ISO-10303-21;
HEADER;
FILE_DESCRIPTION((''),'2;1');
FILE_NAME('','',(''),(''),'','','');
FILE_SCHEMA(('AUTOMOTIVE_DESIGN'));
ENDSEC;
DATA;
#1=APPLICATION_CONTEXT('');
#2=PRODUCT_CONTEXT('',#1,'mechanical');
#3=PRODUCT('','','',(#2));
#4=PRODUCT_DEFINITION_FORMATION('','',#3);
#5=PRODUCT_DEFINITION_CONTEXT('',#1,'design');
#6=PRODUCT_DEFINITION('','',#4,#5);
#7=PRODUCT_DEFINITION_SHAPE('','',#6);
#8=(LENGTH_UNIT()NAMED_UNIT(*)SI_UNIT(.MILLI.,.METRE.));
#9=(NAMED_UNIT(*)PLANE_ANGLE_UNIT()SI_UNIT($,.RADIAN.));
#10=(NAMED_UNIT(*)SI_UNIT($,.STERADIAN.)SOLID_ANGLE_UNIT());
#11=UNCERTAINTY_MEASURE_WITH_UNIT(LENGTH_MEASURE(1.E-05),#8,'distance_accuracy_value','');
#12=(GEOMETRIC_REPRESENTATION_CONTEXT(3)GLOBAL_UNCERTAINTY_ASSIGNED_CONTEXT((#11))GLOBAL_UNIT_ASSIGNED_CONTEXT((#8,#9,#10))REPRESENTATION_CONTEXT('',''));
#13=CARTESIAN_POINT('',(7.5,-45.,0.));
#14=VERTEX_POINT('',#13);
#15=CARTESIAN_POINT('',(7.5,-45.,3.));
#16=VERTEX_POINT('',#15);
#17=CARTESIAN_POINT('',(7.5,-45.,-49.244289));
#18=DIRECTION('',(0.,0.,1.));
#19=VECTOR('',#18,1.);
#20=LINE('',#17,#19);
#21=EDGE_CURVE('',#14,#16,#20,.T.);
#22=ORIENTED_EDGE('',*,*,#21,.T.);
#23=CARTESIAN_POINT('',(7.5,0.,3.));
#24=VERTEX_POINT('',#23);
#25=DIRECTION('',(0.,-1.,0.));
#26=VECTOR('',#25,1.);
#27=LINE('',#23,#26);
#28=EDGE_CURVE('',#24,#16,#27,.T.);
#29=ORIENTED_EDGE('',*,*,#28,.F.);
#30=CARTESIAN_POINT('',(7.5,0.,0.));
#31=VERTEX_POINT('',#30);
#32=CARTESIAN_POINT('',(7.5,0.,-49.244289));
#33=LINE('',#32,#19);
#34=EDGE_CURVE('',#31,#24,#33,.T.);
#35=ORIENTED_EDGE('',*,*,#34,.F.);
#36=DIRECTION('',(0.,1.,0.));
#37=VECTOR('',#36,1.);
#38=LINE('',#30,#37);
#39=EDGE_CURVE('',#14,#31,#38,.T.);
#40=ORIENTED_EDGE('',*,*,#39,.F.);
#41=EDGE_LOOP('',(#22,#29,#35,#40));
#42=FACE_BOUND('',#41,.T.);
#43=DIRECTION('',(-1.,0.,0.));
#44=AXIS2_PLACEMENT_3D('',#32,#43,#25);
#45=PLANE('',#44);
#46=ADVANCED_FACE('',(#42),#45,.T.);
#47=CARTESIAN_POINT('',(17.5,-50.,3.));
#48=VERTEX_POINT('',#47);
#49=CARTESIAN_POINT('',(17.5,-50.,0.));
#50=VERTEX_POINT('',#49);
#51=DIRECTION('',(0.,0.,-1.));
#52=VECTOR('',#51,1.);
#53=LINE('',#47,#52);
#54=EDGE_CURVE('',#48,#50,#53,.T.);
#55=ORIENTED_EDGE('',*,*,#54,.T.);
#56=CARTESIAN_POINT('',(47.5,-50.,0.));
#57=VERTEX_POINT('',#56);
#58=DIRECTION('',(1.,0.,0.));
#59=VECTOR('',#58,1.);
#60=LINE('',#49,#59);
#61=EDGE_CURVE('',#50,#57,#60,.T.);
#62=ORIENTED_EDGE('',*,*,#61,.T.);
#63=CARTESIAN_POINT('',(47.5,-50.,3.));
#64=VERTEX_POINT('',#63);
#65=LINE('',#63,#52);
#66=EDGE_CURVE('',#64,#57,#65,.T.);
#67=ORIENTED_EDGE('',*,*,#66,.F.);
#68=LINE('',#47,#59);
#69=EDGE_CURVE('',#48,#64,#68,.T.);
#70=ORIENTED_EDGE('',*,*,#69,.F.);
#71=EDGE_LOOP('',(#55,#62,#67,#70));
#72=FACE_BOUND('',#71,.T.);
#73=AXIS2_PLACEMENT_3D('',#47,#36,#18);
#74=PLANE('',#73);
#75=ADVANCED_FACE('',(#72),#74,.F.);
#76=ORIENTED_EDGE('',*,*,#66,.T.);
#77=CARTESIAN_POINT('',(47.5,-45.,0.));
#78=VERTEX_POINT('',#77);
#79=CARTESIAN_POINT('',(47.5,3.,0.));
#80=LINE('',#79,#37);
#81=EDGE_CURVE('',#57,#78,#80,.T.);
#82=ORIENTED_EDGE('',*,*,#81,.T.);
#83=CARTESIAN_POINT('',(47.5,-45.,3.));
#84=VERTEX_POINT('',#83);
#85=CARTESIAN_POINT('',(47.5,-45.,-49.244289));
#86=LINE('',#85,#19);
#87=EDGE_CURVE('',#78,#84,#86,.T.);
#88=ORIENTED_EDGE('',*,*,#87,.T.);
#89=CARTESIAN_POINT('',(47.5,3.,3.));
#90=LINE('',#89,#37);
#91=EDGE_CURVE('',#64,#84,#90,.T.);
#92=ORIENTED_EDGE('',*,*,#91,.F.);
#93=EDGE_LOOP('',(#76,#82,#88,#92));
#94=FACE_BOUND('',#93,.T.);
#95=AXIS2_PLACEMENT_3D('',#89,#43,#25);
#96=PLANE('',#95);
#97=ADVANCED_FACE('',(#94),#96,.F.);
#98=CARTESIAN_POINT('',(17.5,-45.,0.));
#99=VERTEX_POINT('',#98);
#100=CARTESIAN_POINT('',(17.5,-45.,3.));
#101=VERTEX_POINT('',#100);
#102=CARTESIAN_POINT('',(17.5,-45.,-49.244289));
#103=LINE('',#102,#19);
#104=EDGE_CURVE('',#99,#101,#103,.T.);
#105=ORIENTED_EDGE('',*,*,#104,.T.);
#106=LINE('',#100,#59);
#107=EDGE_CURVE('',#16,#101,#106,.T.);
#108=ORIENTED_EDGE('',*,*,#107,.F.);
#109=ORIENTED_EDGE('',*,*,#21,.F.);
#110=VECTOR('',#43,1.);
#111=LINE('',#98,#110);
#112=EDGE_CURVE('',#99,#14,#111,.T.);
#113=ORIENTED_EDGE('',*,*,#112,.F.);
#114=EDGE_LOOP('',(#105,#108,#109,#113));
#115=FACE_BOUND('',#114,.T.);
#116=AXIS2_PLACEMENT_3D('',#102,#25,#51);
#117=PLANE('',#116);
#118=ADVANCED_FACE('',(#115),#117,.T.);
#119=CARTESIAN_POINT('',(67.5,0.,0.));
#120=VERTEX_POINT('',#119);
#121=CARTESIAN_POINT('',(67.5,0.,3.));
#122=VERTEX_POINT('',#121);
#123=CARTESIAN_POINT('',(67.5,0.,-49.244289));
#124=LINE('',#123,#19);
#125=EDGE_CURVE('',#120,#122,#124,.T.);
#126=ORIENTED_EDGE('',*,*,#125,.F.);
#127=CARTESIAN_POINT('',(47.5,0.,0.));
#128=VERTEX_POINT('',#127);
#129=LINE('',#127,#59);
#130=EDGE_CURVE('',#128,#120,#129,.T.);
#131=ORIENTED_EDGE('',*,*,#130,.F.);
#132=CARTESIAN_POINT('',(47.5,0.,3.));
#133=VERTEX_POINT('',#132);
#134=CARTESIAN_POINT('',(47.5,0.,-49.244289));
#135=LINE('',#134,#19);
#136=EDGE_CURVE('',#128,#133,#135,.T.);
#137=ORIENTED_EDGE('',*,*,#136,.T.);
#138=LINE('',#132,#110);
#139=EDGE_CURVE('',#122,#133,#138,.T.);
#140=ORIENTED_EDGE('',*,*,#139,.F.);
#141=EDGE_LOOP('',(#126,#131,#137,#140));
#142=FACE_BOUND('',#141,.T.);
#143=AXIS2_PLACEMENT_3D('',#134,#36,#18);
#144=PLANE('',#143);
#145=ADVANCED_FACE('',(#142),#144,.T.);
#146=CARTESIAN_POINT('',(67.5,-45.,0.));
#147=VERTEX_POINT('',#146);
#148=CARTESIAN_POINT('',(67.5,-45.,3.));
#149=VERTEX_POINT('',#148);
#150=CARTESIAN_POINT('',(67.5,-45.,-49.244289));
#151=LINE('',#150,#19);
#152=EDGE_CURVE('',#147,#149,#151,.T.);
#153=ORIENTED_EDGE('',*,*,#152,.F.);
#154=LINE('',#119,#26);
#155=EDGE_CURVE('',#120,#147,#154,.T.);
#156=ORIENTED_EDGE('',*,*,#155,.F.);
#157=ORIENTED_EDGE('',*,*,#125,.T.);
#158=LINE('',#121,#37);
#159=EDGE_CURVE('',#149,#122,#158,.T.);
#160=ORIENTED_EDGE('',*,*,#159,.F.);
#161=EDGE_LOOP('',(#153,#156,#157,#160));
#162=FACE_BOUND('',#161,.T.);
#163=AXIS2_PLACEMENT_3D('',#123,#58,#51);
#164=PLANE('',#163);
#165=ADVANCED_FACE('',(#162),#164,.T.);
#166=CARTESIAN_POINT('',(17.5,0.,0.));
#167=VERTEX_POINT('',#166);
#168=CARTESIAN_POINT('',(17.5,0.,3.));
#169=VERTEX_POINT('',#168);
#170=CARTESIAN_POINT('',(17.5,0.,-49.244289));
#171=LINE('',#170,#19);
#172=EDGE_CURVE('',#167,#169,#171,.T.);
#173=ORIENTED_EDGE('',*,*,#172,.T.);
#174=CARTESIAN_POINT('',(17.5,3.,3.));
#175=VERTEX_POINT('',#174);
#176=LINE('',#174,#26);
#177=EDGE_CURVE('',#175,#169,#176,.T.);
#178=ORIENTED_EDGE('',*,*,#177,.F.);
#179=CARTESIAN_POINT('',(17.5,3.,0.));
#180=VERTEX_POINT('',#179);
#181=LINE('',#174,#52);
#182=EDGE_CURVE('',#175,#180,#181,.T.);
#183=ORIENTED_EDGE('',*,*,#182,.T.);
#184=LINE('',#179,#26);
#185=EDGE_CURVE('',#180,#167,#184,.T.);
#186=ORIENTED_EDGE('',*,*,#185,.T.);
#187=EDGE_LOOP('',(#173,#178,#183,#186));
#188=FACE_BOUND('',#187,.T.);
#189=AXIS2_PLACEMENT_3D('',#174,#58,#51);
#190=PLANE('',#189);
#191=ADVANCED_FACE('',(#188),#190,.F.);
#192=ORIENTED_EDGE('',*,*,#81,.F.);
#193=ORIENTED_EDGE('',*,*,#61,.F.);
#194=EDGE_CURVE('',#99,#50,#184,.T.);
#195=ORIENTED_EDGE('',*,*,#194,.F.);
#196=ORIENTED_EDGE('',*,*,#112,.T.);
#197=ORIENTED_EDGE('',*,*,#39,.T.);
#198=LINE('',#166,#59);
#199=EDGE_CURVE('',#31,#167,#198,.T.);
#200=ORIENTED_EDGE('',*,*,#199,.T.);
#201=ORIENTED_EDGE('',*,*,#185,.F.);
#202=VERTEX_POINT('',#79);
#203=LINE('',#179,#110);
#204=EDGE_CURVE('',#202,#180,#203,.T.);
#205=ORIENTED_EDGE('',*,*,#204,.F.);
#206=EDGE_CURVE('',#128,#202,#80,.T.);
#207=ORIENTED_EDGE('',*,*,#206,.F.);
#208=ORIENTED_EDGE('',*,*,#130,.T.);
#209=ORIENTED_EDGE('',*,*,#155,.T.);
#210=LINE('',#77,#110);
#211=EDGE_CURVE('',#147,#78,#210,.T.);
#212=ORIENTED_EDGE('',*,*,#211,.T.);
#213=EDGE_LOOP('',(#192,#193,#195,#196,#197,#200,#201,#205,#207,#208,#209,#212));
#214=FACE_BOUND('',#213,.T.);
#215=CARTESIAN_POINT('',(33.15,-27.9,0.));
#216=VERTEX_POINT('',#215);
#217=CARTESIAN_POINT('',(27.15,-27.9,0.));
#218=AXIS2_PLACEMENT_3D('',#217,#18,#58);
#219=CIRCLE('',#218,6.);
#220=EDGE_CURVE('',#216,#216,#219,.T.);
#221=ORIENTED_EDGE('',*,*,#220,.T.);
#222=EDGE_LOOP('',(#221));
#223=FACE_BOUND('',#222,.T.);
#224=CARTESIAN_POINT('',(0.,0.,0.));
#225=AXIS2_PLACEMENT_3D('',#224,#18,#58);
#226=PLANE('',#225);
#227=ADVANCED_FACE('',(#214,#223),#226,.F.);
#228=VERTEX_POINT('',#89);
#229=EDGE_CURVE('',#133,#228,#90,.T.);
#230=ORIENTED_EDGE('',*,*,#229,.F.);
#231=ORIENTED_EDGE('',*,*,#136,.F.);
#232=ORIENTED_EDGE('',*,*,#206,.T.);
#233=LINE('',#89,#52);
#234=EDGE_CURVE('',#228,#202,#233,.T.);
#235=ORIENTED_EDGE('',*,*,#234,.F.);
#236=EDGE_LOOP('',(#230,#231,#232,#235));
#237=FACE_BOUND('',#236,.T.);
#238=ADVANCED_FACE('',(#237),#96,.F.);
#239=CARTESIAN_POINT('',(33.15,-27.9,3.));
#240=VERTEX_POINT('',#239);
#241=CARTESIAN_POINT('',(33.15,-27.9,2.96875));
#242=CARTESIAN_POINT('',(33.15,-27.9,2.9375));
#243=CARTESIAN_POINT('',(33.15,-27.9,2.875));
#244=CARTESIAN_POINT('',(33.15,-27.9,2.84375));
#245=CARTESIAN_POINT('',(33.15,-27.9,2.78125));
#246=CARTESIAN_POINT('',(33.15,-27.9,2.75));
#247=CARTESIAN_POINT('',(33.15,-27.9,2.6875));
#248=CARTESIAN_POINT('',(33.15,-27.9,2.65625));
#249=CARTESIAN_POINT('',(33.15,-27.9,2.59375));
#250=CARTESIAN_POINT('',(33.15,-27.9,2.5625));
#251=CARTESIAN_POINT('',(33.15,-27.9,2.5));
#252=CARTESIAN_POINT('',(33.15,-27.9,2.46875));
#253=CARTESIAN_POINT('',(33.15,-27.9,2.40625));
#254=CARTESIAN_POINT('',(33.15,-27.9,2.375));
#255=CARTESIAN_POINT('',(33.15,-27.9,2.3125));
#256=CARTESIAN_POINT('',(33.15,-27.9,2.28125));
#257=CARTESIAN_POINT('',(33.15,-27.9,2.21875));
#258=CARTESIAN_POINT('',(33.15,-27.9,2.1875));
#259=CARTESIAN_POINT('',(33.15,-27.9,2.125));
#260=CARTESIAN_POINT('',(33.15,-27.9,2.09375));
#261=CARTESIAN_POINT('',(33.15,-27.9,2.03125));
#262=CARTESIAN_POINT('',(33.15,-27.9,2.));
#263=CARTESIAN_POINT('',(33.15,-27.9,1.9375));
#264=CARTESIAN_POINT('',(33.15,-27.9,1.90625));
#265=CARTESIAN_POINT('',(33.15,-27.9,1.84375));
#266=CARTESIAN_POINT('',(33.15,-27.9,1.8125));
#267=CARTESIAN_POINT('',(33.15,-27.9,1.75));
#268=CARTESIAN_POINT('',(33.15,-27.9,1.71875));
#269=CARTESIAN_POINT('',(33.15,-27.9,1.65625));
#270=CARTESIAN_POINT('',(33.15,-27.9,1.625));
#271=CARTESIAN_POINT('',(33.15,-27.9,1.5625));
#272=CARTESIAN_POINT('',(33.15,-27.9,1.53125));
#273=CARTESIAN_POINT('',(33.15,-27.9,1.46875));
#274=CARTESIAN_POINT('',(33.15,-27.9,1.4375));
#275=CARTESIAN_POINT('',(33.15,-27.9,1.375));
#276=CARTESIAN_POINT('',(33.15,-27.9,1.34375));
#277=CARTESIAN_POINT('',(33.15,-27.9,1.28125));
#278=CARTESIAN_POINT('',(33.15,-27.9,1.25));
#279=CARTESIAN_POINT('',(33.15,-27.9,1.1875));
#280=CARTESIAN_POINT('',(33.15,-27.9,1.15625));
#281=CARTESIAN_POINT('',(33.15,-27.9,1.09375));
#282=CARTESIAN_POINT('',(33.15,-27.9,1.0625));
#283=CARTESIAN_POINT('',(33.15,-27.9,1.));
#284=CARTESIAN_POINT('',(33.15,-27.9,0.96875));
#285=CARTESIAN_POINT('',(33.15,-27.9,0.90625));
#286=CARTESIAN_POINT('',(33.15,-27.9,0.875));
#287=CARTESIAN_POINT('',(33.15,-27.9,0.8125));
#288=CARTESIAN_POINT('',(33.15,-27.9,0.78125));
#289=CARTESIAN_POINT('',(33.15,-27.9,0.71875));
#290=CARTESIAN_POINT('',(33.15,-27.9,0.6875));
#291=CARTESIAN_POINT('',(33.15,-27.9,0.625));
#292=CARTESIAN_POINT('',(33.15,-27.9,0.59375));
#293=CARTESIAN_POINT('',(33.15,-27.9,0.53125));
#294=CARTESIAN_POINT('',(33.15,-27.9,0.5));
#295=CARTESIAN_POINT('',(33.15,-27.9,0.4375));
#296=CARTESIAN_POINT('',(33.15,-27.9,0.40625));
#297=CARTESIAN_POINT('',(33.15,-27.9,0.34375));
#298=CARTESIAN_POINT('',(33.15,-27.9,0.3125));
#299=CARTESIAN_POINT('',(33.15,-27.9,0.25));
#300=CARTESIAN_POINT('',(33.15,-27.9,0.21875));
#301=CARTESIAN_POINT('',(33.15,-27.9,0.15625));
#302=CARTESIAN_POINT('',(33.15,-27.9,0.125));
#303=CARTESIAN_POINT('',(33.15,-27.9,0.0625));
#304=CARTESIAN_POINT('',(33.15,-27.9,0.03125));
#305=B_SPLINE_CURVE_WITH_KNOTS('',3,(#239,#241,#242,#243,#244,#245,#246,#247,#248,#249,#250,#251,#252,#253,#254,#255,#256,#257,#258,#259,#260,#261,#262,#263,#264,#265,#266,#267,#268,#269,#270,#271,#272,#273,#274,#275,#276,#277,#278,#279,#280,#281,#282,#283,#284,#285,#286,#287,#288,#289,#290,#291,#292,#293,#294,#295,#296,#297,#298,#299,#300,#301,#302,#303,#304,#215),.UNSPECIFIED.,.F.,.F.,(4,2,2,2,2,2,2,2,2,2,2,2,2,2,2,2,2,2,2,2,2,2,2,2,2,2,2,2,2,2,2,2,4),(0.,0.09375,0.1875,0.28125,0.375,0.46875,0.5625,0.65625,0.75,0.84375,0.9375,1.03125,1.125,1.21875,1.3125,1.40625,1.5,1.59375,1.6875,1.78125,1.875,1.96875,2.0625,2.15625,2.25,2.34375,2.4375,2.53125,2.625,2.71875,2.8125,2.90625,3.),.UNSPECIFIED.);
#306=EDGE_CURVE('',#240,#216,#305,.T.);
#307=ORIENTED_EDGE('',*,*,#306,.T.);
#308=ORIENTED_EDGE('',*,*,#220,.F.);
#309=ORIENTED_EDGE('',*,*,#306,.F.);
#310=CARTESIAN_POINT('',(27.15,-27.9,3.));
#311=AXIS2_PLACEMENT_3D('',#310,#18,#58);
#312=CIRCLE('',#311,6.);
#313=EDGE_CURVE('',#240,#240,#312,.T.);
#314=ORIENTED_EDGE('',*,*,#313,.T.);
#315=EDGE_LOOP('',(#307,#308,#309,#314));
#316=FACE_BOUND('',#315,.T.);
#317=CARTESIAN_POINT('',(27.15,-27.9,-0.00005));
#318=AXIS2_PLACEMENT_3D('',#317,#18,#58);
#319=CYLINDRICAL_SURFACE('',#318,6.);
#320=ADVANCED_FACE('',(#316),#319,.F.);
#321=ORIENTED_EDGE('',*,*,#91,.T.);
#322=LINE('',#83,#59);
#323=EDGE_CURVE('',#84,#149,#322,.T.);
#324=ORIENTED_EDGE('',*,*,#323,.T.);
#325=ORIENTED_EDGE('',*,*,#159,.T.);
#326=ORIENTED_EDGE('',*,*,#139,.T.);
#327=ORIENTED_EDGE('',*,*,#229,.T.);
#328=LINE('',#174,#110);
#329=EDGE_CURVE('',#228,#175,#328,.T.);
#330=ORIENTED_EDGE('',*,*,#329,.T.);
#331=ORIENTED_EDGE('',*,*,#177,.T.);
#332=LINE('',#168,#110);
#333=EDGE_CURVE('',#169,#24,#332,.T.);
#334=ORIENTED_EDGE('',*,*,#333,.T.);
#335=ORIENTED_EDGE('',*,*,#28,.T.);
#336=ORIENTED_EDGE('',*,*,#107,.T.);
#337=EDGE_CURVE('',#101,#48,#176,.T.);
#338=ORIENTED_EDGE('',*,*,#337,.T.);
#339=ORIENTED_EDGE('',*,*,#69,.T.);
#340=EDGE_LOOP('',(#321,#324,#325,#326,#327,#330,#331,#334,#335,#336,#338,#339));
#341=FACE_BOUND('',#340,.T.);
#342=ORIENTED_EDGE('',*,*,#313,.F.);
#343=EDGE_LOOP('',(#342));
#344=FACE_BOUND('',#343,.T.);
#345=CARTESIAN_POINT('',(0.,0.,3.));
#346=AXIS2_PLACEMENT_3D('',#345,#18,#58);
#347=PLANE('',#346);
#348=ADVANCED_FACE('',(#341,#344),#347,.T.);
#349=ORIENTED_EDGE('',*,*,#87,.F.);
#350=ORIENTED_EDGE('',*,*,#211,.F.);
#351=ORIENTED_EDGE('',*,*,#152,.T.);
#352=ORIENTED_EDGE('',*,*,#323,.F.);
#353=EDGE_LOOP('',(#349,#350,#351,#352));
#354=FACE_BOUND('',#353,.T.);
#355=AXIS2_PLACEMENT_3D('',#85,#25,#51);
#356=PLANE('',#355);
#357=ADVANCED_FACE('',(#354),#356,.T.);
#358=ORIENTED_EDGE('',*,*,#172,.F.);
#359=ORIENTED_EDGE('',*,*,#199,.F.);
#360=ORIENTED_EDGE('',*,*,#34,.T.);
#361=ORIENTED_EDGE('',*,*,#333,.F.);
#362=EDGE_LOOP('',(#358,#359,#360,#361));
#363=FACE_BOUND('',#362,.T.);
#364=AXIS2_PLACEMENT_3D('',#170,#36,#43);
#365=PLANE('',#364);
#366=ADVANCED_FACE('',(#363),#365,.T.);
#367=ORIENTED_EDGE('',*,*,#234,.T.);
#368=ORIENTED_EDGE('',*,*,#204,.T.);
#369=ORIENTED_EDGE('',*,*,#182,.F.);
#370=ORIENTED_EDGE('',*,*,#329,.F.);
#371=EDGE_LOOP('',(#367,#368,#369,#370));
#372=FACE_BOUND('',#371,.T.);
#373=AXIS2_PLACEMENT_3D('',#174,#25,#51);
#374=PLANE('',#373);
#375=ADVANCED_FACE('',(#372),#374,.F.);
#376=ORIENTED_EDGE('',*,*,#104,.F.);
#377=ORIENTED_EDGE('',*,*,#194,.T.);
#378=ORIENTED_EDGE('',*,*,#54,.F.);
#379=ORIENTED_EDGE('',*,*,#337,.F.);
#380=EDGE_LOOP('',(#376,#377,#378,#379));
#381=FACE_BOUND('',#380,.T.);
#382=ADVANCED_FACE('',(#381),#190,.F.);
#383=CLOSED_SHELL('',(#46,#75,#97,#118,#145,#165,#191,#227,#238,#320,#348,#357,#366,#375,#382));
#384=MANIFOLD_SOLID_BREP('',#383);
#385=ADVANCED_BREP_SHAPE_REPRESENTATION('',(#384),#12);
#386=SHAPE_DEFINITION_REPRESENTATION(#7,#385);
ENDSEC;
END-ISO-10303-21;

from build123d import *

# Parameters (mm, degrees)
SCHIZZO1_W                   = 30
SCHIZZO1_H                   = 53
ESTRUSIONE_ESTRUSIONE1_DEPTH = 3
SCHIZZO3_W                   = 10
SCHIZZO3_H                   = 45
SCHIZZO3_W_2                 = 20
ESTRUSIONE_ESTRUSIONE2_DEPTH = 3
SCHIZZO5_R                   = 6
TAGLIO_ESTRUSIONE1_DEPTH     = 85.055041491


with BuildPart() as part:
    # Schizzo1 → Estrusione-Estrusione1 (new body)
    with BuildSketch(Plane.XY):
        with Locations((32.5, -23.5)):
            Rectangle(SCHIZZO1_W, SCHIZZO1_H)
    extrude(amount=ESTRUSIONE_ESTRUSIONE1_DEPTH)

    # Schizzo3 → Estrusione-Estrusione2 (add)
    with BuildSketch(Plane.XY.offset(3)):
        with Locations((12.5, -22.5)):
            Rectangle(SCHIZZO3_W, SCHIZZO3_H)
        with Locations((57.5, -22.5)):
            Rectangle(SCHIZZO3_W_2, SCHIZZO3_H)
    extrude(amount=-ESTRUSIONE_ESTRUSIONE2_DEPTH)

    # Schizzo5 → Taglio-Estrusione1 (cut, through all)
    with BuildSketch(Plane.XY.offset(3)):
        with Locations((27.15, -27.9)):
            Circle(SCHIZZO5_R)
    extrude(amount=-TAGLIO_ESTRUSIONE1_DEPTH, mode=Mode.SUBTRACT)


solid = part.part
